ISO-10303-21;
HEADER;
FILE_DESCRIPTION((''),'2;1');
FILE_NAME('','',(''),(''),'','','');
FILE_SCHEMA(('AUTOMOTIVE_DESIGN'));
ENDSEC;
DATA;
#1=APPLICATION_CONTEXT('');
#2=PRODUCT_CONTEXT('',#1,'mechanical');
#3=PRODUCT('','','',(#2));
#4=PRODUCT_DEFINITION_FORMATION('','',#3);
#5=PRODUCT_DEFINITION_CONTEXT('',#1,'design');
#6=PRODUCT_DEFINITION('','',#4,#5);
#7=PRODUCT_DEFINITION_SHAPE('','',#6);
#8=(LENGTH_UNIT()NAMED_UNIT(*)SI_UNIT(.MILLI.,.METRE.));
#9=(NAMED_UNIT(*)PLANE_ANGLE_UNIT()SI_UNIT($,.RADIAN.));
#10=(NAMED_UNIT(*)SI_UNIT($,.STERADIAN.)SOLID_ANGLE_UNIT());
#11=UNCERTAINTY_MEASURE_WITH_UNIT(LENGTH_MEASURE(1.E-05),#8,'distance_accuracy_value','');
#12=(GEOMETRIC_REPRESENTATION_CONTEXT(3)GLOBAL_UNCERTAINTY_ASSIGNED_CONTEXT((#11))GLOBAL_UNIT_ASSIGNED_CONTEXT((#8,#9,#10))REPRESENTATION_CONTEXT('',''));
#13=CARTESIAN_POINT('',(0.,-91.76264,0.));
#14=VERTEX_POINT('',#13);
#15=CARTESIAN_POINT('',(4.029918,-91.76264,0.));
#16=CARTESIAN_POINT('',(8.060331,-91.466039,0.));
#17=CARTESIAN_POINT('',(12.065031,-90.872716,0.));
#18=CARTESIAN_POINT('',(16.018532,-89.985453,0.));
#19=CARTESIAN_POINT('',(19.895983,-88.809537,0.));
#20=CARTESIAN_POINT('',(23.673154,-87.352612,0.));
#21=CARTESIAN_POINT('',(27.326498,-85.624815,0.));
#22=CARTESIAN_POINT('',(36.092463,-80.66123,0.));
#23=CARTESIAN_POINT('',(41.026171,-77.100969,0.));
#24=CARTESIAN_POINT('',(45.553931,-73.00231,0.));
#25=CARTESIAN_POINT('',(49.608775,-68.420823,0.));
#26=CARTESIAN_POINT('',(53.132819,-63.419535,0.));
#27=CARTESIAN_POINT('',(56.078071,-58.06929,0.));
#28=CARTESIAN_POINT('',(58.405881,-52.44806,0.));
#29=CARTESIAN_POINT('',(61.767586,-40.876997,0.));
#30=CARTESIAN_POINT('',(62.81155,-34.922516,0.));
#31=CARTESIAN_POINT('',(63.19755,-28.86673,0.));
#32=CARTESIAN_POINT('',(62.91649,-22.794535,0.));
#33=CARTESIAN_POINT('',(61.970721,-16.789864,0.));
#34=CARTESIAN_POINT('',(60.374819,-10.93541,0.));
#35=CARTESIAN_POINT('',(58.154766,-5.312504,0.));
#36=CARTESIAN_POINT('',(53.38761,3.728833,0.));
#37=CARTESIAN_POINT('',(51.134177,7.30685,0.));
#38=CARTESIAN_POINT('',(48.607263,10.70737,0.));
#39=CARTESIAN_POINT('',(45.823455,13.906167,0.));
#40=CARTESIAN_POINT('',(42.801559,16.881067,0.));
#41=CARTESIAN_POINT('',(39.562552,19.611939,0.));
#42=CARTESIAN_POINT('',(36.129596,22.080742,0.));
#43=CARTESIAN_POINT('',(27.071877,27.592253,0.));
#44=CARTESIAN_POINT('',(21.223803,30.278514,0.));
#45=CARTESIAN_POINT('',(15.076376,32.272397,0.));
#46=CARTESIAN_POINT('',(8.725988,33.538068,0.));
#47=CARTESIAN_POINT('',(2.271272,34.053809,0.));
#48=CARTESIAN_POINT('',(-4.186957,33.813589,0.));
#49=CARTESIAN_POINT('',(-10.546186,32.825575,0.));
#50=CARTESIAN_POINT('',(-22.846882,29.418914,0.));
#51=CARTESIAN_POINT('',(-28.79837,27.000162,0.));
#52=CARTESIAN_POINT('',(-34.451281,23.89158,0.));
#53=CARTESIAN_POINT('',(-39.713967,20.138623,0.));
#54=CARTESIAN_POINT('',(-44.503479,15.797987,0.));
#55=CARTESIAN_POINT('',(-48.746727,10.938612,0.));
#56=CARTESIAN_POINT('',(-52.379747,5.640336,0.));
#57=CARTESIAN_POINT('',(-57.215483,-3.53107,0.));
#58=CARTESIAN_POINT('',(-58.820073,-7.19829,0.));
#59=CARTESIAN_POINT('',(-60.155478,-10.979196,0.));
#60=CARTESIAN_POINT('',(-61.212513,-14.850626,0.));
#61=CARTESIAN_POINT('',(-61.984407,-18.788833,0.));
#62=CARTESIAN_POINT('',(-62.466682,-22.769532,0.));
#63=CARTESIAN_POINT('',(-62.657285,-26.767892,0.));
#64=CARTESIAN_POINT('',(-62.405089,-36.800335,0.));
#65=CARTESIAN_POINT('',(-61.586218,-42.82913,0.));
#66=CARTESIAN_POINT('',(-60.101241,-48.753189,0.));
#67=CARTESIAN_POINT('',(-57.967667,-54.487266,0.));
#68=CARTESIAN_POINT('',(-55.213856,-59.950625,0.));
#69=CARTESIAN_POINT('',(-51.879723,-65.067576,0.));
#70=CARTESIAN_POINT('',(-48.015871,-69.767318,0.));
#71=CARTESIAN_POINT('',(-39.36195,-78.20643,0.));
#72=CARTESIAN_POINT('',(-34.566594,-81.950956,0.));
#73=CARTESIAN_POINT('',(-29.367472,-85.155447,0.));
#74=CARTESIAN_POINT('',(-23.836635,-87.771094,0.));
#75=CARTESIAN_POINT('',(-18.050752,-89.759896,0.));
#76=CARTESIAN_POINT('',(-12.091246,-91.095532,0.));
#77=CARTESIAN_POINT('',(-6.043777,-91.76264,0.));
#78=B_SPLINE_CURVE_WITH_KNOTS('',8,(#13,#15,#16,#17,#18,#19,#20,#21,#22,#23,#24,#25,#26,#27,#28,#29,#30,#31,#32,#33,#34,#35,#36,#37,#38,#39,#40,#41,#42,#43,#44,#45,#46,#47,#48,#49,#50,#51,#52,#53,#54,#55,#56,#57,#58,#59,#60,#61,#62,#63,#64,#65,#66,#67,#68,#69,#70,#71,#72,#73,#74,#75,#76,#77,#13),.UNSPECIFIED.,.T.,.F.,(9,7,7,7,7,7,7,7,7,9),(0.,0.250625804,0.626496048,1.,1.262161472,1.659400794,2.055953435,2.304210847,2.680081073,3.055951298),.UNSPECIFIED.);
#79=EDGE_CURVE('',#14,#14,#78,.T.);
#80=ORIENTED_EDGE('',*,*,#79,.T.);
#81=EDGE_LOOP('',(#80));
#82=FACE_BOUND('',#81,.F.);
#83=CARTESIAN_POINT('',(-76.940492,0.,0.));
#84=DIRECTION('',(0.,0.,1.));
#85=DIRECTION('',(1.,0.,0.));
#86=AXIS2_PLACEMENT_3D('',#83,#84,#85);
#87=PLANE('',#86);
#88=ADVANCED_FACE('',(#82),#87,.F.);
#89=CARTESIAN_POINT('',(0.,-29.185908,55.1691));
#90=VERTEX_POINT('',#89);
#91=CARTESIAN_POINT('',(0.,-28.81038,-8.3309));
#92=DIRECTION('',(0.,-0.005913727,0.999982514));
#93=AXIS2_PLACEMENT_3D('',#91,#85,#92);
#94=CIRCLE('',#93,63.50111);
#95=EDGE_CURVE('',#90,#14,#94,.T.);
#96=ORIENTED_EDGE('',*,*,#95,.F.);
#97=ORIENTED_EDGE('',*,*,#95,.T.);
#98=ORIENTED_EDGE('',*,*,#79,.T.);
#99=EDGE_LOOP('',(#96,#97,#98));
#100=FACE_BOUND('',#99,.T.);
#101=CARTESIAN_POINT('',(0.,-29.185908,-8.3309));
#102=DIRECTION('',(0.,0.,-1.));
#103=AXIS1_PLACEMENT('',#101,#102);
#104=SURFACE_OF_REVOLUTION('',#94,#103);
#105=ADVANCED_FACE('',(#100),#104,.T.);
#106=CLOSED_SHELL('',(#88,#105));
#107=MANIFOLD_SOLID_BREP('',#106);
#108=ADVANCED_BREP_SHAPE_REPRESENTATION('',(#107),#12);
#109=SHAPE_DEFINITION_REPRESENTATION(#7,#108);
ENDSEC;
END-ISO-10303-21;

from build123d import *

# Parameters (mm, degrees)
F2_W          = 153.245344758
F2_H          = 83.8886424899
F3_DEPTH      = 50.8
F3_DEPTH_BACK = 127


with BuildPart() as f1:
    # F0 (on Right) → F1 (revolve)
    with BuildSketch(Plane.YZ):
        with BuildLine():
            Line((-29.1859079152, -71.8309002221), (-29.1859079152, 55.1690997779))
            ThreePointArc((-29.1859079152, 55.1690997779), (-92.3114900999, -8.3309002221), (-29.1859079152, -71.8309002221))
        make_face()
    revolve(axis=Axis((0, -29.1859079152, -8.3309002221), (0, 0, -1)))

    # F2 (on Front) → F3 (cut, two sides)
    with BuildSketch(Plane.XZ) as f3_sk:
        with Locations((-0.3178194165, -41.944321245)):
            Rectangle(F2_W, F2_H)
    extrude(amount=-F3_DEPTH, mode=Mode.SUBTRACT)
    extrude(f3_sk.sketch, amount=F3_DEPTH_BACK, mode=Mode.SUBTRACT)


solid = f1.part
